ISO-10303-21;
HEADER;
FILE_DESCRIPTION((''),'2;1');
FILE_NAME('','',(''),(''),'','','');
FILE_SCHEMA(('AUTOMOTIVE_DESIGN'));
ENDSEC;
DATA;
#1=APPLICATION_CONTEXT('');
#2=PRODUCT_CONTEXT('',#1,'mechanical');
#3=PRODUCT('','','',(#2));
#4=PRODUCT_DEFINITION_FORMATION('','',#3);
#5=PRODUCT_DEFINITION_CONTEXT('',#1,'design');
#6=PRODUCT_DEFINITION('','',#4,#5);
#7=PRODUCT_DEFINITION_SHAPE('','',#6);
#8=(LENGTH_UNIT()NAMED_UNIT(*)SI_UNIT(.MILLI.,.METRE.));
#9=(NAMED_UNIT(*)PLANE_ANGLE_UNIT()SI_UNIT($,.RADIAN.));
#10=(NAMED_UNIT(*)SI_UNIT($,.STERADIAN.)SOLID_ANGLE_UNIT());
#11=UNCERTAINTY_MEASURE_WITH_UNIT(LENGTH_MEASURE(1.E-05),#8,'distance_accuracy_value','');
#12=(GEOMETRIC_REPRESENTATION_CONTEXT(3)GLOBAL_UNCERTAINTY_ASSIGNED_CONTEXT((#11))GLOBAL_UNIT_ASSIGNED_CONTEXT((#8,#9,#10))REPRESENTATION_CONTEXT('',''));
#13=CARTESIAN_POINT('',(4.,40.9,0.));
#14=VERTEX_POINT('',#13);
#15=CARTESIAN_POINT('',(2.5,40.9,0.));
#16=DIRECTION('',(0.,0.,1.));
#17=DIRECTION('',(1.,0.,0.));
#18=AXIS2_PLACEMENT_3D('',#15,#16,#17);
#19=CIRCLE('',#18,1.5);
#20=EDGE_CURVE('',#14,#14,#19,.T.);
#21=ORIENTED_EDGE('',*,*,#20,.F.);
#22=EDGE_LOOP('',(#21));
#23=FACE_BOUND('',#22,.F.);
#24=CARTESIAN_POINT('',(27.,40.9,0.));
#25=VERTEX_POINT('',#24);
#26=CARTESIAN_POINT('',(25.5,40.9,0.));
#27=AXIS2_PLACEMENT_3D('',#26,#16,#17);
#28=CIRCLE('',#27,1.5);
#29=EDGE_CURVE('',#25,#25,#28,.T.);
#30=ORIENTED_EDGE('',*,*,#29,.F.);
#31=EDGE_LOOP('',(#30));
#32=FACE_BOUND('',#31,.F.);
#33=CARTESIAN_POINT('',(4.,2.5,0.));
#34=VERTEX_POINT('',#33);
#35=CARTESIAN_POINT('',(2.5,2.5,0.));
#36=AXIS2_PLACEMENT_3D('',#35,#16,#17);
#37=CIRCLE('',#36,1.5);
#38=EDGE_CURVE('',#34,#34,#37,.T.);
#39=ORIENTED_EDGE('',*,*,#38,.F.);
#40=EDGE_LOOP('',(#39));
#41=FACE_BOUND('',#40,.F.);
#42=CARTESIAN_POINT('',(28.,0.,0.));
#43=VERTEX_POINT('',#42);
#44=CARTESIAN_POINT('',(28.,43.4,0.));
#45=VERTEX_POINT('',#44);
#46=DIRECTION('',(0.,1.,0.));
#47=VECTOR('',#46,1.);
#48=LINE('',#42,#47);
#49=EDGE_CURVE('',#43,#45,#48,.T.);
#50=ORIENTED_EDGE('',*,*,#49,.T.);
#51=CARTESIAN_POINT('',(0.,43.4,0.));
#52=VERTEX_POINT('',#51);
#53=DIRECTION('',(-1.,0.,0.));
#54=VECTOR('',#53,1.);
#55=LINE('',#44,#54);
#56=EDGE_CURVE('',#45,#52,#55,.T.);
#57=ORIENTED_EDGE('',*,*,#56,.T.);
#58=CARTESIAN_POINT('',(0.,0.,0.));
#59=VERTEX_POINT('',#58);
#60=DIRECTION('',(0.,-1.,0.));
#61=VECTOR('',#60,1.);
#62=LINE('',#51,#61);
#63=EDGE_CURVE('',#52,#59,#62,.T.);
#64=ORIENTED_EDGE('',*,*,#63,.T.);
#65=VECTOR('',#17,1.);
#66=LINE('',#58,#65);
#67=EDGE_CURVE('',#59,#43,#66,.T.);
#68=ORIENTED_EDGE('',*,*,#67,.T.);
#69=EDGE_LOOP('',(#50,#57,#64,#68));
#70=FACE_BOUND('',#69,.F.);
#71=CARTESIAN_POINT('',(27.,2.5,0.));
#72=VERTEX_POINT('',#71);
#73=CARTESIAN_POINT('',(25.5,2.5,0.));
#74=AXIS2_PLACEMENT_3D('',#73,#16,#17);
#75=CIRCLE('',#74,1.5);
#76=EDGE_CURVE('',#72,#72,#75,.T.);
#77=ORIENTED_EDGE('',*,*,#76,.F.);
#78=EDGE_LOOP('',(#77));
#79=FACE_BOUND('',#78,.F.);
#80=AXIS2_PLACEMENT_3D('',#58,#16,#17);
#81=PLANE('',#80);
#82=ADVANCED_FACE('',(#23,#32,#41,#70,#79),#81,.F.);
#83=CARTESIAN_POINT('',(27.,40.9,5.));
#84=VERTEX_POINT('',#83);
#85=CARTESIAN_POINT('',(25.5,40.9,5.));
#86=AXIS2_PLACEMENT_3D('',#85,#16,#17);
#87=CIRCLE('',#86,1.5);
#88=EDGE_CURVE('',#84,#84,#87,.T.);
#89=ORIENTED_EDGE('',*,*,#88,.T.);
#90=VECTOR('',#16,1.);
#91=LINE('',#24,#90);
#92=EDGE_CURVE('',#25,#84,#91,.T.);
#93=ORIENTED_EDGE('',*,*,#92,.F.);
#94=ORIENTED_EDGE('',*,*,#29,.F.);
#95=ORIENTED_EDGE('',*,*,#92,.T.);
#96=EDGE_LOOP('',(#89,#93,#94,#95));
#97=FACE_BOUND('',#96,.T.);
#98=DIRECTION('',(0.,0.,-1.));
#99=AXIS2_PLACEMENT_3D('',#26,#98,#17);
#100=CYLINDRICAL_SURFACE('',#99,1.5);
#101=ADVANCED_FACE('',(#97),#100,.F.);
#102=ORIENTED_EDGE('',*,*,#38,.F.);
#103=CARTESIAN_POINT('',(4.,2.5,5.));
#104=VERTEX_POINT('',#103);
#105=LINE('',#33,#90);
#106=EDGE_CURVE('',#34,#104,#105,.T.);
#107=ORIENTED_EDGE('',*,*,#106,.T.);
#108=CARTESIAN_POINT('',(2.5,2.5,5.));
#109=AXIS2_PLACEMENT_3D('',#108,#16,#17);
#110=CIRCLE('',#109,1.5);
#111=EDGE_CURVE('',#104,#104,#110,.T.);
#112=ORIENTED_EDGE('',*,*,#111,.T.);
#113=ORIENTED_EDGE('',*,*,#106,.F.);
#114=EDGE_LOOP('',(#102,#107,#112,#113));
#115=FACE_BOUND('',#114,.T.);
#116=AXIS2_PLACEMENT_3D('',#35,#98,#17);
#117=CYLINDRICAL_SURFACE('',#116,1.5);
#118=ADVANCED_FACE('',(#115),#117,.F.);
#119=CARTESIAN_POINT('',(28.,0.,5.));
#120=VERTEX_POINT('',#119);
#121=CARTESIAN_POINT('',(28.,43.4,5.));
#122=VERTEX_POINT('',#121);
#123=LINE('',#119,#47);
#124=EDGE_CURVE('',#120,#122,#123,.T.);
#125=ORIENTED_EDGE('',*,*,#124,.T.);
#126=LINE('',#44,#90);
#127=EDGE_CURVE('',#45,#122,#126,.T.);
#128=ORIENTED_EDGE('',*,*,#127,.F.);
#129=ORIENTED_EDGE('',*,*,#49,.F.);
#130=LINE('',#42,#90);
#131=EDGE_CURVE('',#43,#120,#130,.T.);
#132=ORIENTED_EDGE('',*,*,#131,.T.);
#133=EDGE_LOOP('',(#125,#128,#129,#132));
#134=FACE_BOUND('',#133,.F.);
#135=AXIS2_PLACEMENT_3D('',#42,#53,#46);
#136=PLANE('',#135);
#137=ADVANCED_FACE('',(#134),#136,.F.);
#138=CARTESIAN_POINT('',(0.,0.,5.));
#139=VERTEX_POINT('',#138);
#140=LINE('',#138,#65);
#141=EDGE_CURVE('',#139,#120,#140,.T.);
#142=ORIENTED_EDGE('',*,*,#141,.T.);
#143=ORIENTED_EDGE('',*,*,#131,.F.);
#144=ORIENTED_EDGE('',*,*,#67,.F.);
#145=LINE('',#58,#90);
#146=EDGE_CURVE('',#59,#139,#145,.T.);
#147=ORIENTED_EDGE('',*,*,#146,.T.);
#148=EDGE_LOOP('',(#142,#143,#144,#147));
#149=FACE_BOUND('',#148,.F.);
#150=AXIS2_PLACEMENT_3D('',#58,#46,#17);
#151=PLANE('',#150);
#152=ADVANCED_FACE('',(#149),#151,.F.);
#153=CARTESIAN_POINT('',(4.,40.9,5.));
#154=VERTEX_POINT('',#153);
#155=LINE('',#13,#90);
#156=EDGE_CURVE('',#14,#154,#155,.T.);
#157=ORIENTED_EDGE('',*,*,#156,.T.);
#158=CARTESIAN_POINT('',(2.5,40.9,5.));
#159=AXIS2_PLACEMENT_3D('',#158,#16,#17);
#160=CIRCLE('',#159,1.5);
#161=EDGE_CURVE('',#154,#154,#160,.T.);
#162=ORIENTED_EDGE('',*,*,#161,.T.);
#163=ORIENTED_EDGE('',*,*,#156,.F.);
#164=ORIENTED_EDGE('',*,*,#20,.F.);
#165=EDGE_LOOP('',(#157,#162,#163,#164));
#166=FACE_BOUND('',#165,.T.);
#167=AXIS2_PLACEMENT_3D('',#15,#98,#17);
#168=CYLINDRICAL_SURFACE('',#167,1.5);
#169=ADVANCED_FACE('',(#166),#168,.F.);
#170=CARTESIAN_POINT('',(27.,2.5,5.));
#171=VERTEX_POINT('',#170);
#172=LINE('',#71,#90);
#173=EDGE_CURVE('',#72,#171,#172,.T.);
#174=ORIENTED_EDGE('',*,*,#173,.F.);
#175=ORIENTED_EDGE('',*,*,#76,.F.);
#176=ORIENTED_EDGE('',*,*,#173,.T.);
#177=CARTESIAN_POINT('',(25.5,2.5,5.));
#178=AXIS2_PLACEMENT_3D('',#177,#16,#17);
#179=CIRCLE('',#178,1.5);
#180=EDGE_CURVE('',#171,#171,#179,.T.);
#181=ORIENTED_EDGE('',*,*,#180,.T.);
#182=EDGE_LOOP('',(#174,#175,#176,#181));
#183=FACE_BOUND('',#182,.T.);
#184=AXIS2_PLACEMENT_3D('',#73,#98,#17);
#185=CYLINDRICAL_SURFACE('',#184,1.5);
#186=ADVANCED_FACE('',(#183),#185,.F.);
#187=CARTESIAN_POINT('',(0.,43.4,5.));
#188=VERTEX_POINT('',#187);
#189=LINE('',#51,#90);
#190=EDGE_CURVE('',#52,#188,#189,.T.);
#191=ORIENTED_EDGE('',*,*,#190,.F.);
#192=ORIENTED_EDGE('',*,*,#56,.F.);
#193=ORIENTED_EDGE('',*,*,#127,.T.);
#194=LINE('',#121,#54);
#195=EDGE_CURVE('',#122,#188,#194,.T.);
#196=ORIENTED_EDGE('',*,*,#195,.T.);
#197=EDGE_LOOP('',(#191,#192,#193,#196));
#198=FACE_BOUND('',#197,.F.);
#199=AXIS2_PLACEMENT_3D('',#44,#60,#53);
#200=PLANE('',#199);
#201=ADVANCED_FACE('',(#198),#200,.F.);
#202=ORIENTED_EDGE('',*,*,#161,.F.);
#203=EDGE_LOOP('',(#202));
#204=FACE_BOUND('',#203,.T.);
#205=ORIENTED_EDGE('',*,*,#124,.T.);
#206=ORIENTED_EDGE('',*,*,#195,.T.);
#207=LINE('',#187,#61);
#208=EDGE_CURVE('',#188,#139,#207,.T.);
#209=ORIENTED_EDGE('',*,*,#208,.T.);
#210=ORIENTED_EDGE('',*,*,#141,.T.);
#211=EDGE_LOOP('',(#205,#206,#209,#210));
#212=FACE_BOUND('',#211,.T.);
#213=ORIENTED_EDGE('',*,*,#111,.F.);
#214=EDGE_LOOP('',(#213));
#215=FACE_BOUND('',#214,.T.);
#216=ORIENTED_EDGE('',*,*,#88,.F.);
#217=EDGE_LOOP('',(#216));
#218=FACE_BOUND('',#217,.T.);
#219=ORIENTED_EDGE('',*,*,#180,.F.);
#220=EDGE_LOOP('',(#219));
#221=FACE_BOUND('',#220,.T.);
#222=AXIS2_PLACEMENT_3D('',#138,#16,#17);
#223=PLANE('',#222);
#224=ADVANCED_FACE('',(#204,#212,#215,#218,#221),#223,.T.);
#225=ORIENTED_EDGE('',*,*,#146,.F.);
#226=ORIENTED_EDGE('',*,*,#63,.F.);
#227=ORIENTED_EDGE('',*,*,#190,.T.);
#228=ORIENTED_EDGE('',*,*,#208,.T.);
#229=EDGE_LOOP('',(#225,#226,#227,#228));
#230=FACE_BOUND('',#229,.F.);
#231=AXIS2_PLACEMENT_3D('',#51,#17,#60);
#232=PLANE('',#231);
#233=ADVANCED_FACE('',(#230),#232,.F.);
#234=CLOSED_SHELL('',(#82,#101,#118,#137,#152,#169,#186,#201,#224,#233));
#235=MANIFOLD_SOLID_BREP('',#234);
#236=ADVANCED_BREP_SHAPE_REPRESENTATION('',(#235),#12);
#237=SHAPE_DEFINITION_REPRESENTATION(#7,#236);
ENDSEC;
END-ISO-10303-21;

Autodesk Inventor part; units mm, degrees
ref_plane "YZ Plane" through (0, 0, 0) normal (1, 0, 0) x (0, 1, 0)
ref_plane "XZ Plane" through (0, 0, 0) normal (0, 1, 0) x (-1, 0, 0)
ref_plane "XY Plane" through (0, 0, 0) normal (0, 0, 1) x (1, 0, 0)
sketch "Sketch1" plane through (0, 0, 0) normal (0, 0, 1) x (1, 0, 0)
  line L0 (0, 0) -> (28, 0)
  line L1 (28, 0) -> (28, 43.4)
  line L2 (28, 43.4) -> (0, 43.4)
  line L3 (0, 43.4) -> (0, 0)
  line L4 (2.5, 40.9) -> (25.5, 40.9) construction
  line L5 (25.5, 40.9) -> (25.5, 2.5) construction
  line L6 (25.5, 2.5) -> (2.5, 2.5) construction
  line L7 (2.5, 2.5) -> (2.5, 40.9) construction
  circle A0 centre (2.5, 40.9) radius 1.5
  circle A1 centre (25.5, 40.9) radius 1.5
  circle A2 centre (25.5, 2.5) radius 1.5
  circle A3 centre (2.5, 2.5) radius 1.5
  dimension "d0" = 28
  dimension "d1" = 43.4
  dimension "d2" = 2.5
  dimension "d3" = 3
  dimension "d4" = 3
  dimension "d5" = 3
  dimension "d6" = 3
extrude "Extrusion1" add sketch "Sketch1" along normal blind 5
properties part number "GA010" material "ABS Plastic"
